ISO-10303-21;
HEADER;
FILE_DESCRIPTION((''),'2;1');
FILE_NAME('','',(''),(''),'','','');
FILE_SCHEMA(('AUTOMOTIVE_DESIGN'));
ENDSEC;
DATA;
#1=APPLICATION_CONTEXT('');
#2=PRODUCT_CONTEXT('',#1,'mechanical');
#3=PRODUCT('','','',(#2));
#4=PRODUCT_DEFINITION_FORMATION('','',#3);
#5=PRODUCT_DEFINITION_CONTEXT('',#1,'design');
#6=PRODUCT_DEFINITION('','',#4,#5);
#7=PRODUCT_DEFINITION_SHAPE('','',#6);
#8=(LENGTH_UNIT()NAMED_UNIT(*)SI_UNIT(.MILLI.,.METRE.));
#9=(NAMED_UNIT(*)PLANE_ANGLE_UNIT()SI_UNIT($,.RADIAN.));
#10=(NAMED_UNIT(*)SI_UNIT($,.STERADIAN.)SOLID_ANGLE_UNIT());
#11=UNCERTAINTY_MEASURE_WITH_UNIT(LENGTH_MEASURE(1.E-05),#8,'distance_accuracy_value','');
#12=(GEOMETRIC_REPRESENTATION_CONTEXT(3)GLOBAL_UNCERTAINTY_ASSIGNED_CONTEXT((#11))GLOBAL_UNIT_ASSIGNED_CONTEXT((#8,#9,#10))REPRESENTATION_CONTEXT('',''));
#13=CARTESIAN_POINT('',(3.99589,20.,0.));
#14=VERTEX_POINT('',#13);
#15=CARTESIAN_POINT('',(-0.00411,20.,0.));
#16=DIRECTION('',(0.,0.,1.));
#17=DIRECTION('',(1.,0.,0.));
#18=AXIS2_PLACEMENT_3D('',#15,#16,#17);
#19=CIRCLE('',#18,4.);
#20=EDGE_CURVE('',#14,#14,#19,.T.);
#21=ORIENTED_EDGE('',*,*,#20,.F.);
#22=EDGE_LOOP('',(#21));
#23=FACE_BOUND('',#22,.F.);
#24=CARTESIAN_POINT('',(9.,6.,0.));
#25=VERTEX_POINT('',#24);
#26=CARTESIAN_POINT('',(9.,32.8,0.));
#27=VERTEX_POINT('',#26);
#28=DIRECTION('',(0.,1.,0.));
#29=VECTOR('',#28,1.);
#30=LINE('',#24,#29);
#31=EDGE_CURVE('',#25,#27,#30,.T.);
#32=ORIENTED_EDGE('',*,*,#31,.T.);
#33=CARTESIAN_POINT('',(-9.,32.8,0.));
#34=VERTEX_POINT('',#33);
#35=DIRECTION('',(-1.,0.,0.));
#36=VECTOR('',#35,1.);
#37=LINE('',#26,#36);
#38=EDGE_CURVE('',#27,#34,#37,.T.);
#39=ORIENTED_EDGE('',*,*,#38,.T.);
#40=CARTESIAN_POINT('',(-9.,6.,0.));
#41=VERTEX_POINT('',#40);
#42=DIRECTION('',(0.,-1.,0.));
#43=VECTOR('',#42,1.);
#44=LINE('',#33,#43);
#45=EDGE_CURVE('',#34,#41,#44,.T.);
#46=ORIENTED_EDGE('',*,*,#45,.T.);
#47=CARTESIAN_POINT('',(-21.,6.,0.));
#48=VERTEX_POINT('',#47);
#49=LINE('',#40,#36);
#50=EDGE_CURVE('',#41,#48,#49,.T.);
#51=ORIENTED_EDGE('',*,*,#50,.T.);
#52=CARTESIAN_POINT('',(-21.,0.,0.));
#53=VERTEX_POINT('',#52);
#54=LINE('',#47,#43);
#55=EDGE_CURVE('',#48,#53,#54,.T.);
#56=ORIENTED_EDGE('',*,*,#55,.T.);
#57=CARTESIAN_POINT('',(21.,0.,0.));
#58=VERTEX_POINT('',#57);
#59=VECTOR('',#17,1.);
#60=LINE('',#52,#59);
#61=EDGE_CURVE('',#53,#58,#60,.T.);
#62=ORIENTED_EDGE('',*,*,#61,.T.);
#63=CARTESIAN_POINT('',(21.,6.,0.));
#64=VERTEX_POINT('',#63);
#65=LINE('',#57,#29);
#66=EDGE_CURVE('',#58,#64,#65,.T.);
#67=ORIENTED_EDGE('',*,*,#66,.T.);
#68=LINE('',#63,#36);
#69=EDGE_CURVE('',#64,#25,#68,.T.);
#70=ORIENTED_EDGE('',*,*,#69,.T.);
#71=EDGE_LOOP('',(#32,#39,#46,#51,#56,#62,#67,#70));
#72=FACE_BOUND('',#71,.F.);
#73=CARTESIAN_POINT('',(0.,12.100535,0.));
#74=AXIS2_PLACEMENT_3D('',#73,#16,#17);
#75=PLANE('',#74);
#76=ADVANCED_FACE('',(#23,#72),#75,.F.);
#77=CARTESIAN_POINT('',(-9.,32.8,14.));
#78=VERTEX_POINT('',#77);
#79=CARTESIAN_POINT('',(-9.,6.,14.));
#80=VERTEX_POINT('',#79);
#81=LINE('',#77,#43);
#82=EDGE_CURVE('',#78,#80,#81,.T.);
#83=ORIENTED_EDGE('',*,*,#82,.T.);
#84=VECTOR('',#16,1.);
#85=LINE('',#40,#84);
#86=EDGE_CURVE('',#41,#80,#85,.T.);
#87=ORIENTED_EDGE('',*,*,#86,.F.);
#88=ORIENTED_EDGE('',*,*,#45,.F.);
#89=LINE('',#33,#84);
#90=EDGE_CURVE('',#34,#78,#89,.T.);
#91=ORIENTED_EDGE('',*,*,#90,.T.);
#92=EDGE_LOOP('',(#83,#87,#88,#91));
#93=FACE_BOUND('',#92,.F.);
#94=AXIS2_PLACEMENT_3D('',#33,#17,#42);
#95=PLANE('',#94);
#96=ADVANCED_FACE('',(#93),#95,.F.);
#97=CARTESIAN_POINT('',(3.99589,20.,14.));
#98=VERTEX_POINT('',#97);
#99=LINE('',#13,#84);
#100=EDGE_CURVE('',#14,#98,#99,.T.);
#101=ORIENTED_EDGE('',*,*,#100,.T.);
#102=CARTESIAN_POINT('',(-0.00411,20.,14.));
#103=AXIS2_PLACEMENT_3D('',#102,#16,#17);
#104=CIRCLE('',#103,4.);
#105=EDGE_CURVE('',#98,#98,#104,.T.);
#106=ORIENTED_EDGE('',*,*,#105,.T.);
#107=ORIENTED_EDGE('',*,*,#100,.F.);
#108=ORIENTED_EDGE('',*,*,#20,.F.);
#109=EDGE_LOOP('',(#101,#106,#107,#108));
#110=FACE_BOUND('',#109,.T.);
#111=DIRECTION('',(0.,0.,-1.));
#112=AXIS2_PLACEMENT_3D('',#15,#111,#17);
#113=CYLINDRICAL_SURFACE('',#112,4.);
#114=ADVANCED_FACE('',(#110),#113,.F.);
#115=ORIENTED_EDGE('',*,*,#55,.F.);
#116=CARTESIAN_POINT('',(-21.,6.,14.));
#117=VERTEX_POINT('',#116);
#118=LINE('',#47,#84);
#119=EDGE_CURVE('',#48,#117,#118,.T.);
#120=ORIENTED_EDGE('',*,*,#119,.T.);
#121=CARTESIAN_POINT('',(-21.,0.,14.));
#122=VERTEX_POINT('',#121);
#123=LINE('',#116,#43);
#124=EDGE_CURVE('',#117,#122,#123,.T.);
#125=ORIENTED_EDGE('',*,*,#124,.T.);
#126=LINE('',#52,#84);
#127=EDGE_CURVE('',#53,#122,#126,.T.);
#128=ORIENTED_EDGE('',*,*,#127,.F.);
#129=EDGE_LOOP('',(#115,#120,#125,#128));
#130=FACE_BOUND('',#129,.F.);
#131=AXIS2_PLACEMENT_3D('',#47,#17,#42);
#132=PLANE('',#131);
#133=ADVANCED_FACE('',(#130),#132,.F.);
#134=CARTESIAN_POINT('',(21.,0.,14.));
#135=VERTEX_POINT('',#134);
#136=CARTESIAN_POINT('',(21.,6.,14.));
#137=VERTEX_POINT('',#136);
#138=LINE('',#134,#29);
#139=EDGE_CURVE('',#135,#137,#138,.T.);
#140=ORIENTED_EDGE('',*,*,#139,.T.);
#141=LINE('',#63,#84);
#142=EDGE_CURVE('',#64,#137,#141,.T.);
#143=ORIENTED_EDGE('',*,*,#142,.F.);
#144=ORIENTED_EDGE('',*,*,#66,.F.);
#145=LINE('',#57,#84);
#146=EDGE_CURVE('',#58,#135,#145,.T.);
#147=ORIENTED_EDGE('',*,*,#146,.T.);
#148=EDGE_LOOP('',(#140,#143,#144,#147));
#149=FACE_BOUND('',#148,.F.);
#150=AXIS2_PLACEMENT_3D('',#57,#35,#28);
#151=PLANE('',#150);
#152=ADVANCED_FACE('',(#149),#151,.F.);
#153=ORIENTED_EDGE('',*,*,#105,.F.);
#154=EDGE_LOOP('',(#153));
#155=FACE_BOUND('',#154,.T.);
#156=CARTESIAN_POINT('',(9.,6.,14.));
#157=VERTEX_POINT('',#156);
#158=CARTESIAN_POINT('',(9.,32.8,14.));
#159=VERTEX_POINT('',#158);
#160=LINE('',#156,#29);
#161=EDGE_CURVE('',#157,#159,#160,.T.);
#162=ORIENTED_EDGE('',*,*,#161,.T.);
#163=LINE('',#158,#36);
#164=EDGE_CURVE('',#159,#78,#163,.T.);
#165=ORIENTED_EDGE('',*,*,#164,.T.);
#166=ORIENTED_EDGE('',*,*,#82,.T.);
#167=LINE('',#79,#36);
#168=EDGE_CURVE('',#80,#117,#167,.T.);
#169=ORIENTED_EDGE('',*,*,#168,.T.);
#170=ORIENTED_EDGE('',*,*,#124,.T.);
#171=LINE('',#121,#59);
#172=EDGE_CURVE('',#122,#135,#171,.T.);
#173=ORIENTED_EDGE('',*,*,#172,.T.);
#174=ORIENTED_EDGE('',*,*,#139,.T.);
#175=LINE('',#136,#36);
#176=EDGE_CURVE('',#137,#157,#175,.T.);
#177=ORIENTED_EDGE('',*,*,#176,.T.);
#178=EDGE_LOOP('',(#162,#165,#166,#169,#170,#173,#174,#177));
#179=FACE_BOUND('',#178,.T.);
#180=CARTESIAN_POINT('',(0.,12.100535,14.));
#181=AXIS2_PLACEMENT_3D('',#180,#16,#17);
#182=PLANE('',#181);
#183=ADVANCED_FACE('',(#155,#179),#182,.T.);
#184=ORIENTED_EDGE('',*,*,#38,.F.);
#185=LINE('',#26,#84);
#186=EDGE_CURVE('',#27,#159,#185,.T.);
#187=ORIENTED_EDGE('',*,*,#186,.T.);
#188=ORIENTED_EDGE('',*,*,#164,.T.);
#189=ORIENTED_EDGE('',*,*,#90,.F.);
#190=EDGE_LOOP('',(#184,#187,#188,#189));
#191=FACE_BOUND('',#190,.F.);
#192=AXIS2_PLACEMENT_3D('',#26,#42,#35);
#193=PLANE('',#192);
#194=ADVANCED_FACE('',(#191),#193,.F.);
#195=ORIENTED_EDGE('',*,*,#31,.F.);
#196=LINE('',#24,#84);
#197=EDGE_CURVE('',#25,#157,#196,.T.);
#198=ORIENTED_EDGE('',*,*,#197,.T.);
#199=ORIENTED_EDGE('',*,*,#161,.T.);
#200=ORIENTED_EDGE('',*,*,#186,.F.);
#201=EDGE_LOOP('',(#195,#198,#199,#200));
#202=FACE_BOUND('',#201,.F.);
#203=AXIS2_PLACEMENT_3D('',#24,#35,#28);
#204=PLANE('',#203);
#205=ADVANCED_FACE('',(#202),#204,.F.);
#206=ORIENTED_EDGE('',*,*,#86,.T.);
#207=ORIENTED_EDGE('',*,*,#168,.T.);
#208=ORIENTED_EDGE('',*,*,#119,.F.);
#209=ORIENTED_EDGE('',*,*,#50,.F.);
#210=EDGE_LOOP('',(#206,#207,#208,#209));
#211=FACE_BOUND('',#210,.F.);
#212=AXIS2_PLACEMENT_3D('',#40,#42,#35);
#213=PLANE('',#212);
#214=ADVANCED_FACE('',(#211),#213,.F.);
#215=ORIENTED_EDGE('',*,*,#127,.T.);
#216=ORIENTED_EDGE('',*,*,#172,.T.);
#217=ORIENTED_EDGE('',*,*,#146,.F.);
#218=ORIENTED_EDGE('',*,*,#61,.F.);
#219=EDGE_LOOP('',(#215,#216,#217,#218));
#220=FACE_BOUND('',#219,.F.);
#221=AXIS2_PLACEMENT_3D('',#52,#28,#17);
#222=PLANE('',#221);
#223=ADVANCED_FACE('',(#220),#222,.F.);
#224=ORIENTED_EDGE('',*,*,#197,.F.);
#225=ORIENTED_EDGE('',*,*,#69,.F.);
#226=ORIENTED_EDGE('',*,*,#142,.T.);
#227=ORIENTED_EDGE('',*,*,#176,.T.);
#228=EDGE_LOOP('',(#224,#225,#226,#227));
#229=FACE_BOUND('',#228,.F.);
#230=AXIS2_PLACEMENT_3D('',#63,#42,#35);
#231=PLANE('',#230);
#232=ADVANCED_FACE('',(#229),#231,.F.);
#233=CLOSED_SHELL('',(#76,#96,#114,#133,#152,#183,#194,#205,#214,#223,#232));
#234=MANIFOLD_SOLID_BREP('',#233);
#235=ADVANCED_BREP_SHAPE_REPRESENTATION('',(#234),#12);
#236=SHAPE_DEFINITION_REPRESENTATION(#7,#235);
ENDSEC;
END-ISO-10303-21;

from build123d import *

# Parameters (mm, degrees)
SKETCH_R  = 4
PAD_DEPTH = 14


with BuildPart() as part:
    # Sketch → Pad (new body)
    with BuildSketch(Plane.XY):
        Polygon((-21, 0), (21, 0), (21, 6), (9, 6), (9, 32.8), (-9, 32.8), (-9, 6), (-21, 6), align=None)
        with Locations((-0.00411, 20)):
            Circle(SKETCH_R, mode=Mode.SUBTRACT)
    extrude(amount=PAD_DEPTH)


solid = part.part
